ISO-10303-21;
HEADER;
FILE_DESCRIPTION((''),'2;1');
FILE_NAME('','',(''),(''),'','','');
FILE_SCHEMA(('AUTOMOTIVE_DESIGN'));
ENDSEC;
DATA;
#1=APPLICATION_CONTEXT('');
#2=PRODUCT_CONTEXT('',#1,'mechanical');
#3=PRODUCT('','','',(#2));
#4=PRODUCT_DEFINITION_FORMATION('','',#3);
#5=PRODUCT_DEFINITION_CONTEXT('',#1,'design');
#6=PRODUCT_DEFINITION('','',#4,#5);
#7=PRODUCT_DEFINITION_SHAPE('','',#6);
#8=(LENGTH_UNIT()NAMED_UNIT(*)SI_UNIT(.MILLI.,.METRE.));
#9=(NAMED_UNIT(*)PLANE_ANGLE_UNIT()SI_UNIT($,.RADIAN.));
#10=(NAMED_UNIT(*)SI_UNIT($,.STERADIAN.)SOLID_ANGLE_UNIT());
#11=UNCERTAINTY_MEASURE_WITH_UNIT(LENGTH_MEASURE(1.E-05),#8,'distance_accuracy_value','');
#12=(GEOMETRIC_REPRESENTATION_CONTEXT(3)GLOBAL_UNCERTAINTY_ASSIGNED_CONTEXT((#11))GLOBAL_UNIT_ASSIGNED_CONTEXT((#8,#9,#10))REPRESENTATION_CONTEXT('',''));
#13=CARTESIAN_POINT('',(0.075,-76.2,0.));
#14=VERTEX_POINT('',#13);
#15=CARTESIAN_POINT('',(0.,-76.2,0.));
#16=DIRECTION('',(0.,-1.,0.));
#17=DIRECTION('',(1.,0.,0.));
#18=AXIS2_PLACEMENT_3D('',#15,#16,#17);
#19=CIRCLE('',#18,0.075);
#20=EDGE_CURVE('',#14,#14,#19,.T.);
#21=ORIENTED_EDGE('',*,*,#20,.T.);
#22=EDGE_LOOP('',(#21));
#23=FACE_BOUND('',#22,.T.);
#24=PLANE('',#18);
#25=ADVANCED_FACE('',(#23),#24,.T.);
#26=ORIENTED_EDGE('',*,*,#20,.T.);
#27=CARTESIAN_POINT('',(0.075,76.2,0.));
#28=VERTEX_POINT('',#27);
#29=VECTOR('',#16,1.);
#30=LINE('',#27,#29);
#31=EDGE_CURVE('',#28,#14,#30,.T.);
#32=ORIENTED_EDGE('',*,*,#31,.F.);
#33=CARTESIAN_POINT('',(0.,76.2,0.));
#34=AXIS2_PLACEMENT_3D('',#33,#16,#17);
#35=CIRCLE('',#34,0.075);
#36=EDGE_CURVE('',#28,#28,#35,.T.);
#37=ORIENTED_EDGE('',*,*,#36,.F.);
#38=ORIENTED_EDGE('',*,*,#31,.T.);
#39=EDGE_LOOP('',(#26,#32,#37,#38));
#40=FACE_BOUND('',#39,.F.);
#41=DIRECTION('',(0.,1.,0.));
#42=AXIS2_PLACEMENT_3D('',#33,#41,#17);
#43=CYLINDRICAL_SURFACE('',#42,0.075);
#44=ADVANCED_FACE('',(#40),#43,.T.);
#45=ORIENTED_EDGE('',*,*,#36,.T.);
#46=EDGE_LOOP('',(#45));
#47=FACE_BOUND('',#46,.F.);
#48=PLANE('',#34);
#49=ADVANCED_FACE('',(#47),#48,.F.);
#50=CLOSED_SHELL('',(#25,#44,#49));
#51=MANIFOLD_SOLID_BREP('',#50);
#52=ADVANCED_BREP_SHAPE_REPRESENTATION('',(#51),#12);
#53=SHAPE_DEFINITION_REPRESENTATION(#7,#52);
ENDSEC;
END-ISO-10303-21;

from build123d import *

# Parameters (mm, degrees)
F0_R     = 0.075
F1_DEPTH = 152.4


with BuildPart() as f1:
    # F0 (on Front) → F1 (new body)
    with BuildSketch(Plane.XZ):
        Circle(F0_R)
    extrude(amount=F1_DEPTH)


with BuildPart() as f1_1:
    # F2: moved
    add(f1.part.moved(Location((0, 76.2, 0))))


solid = f1_1.part
